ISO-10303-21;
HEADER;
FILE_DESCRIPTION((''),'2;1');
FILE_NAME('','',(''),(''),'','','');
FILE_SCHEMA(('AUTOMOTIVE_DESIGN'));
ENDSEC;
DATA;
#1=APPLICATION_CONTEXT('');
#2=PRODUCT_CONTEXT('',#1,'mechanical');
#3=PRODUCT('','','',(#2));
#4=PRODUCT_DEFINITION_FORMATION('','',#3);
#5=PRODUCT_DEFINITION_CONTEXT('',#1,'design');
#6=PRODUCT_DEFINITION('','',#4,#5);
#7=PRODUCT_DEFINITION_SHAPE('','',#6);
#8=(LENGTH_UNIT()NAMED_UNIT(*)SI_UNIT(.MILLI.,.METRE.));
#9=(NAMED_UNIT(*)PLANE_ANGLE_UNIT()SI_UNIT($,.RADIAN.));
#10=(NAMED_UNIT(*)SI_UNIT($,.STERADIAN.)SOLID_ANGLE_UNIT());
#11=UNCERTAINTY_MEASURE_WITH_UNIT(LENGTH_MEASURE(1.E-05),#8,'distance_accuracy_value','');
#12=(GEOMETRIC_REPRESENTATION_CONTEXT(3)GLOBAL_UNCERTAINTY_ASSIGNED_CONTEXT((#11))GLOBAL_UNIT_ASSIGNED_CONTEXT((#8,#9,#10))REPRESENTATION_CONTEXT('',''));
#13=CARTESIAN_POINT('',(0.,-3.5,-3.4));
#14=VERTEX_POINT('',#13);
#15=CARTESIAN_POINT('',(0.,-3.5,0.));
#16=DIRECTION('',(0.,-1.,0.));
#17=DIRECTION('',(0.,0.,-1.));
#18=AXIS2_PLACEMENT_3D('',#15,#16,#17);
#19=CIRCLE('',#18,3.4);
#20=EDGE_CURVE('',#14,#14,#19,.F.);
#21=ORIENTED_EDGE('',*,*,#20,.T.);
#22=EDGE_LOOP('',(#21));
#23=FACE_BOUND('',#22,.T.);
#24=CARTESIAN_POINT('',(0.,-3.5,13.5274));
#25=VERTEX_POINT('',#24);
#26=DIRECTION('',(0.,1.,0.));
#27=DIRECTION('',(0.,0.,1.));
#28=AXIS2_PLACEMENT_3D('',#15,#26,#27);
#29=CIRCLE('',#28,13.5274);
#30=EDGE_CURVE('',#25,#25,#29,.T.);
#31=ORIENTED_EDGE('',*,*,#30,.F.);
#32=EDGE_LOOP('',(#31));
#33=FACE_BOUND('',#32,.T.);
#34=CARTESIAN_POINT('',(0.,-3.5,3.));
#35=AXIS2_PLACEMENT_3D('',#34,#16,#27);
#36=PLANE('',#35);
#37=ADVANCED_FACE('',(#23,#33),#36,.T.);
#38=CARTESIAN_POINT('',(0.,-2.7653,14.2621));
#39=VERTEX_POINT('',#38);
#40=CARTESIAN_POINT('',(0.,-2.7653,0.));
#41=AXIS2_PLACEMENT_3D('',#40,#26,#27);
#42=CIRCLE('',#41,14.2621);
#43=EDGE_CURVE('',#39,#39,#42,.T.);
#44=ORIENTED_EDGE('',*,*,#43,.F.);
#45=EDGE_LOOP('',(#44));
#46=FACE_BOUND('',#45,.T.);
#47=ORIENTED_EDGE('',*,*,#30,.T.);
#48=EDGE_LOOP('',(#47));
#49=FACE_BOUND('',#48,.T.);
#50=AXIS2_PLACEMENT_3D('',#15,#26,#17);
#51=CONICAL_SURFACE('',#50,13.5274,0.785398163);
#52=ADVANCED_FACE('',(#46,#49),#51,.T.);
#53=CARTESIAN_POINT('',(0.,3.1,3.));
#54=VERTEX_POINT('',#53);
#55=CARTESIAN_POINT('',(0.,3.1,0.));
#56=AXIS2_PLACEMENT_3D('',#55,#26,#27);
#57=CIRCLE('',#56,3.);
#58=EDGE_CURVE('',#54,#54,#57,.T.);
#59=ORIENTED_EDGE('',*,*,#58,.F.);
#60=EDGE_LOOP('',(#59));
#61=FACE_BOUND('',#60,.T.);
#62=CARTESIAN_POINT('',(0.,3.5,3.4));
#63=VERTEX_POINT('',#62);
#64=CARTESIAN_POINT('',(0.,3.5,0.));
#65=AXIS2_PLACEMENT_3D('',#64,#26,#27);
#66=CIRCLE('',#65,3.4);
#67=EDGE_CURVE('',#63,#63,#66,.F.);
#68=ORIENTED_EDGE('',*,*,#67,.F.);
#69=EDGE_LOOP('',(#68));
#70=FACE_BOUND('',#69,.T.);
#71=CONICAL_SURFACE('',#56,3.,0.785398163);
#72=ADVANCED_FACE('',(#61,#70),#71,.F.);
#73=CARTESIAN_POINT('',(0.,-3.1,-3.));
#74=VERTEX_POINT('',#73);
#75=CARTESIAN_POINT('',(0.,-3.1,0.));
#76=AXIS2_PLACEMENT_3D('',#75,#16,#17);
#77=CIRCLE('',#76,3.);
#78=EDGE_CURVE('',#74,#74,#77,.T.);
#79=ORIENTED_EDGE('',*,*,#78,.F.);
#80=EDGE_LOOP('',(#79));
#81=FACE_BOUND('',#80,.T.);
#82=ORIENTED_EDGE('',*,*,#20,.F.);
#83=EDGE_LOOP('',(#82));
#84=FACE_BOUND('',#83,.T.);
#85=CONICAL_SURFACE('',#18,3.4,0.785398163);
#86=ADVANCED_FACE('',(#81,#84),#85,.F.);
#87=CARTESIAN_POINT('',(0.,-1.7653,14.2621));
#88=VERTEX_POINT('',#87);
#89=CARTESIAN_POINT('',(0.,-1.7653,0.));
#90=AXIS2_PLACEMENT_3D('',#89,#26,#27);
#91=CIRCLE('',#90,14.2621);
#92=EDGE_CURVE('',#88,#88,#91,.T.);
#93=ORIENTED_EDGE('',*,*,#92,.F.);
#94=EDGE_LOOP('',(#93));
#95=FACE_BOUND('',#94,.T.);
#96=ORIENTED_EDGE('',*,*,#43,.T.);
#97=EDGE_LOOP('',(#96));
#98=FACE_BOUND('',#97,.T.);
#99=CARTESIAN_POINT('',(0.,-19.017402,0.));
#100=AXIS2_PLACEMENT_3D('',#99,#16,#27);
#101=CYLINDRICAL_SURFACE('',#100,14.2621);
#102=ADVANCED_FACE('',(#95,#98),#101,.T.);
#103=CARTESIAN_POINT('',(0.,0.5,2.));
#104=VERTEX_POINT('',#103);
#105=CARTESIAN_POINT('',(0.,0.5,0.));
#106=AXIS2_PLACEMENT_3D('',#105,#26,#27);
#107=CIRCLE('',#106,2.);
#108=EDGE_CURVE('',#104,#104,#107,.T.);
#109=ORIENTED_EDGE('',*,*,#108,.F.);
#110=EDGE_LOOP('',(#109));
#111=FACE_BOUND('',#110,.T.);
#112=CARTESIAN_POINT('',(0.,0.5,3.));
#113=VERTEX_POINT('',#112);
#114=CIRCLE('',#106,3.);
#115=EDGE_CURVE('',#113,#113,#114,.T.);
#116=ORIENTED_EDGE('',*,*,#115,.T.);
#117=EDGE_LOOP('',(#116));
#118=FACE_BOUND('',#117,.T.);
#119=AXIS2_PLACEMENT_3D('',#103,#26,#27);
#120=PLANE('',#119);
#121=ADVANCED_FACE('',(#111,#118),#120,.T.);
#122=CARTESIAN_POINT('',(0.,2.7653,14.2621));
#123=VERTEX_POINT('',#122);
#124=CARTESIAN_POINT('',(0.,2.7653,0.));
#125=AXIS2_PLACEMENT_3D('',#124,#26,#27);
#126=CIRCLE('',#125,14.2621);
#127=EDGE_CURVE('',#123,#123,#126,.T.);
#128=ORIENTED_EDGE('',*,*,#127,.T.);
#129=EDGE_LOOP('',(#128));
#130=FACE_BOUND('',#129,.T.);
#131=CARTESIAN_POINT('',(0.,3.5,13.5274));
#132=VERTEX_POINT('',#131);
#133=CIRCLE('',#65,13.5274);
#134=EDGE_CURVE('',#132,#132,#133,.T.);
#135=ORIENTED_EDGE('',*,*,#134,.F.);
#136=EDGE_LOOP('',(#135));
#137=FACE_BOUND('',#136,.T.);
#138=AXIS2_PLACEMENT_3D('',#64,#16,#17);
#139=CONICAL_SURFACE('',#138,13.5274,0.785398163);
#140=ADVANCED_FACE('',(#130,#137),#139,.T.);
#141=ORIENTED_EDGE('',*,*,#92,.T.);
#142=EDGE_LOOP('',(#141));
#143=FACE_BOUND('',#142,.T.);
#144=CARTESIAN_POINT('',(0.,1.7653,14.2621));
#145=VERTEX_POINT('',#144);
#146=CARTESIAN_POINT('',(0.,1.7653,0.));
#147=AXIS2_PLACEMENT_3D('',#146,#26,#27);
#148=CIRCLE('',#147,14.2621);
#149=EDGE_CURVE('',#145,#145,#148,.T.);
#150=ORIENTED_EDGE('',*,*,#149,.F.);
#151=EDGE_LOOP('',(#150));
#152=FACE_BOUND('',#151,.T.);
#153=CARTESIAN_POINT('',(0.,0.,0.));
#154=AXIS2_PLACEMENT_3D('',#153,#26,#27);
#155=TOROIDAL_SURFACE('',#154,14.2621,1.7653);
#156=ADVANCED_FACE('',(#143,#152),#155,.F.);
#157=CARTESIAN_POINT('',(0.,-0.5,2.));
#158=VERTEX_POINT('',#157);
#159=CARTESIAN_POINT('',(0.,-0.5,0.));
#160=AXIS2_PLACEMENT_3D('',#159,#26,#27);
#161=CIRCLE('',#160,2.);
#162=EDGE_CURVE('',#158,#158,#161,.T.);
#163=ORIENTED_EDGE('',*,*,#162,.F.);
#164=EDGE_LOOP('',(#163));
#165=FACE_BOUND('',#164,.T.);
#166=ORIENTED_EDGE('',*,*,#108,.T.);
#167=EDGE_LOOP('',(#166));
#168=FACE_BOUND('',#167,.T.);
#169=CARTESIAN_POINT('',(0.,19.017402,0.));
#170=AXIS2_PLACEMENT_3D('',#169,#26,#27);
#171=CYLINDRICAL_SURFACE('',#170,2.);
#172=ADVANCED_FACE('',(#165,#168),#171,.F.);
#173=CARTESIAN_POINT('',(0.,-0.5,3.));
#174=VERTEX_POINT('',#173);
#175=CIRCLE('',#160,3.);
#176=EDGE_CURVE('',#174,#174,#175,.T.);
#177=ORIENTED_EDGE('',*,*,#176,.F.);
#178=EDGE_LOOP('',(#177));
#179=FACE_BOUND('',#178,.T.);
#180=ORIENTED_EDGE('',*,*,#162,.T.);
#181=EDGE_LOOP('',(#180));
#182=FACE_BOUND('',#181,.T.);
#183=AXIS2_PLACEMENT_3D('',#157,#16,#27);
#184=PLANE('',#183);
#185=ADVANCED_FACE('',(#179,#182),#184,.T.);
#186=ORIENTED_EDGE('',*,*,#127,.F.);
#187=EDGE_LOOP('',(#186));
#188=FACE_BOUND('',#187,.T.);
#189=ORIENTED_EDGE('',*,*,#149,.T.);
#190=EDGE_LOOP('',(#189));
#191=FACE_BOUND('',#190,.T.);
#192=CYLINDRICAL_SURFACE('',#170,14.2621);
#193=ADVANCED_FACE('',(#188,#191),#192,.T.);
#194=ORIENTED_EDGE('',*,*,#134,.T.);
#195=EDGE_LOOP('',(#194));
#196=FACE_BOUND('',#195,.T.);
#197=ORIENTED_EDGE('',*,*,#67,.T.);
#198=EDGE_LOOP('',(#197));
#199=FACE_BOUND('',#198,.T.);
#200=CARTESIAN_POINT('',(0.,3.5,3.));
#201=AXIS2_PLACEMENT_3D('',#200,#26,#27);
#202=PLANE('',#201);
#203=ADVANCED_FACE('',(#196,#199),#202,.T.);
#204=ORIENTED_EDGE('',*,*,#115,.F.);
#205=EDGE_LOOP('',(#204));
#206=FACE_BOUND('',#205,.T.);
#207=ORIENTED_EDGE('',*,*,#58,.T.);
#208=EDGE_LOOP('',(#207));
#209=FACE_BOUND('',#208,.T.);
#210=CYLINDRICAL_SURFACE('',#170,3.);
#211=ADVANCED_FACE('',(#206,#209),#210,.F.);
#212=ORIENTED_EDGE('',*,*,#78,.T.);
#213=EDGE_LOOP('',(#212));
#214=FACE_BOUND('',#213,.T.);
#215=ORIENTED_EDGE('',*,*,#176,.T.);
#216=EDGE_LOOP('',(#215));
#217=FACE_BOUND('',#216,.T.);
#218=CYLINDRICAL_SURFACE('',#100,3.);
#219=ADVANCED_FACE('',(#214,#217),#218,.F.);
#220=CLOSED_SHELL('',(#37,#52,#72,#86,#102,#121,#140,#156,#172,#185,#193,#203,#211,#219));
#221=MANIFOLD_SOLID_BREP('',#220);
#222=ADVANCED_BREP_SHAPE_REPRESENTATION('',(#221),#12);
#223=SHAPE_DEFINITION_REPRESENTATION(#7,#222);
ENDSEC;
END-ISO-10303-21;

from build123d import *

# Parameters (mm, degrees)
CHAMFER1_SIZE = 0.4


with BuildPart() as part:
    # Sketch1 → Revolve1 (revolve)
    with BuildSketch(Plane(origin=(0, 0, 0), x_dir=(0, 0, -1), z_dir=(1, 0, 0))):
        with BuildLine():
            Line((-3, 3.5), (-13.5274, 3.5))
            Line((-13.5274, 3.5), (-14.2621, 2.7653))
            Line((-14.2621, 2.7653), (-14.2621, 1.7653))
            ThreePointArc((-14.2621, 1.7653), (-13.013844399, 1.248255601), (-12.4968, 0))
            Line((-12.4968, 0), (-2, 0))
            Line((-2, 0), (-2, 0.5))
            Line((-2, 0.5), (-3, 0.5))
            Line((-3, 0.5), (-3, 3.5))
        make_face()
    revolve1 = revolve(axis=Axis((0, 19.017402143, 0), (0, -1, 0)))

    # Mirror1: Revolve1 across plane
    add(revolve1.mirror(Plane.ZX))

    # Chamfer1
    chamfer1_edges = [part.edges().sort_by_distance(p)[0] for p in [
        (0, 3.5, -3),
        (0, -3.5, -3),
    ]]
    chamfer(chamfer1_edges, length=CHAMFER1_SIZE)


solid = part.part
